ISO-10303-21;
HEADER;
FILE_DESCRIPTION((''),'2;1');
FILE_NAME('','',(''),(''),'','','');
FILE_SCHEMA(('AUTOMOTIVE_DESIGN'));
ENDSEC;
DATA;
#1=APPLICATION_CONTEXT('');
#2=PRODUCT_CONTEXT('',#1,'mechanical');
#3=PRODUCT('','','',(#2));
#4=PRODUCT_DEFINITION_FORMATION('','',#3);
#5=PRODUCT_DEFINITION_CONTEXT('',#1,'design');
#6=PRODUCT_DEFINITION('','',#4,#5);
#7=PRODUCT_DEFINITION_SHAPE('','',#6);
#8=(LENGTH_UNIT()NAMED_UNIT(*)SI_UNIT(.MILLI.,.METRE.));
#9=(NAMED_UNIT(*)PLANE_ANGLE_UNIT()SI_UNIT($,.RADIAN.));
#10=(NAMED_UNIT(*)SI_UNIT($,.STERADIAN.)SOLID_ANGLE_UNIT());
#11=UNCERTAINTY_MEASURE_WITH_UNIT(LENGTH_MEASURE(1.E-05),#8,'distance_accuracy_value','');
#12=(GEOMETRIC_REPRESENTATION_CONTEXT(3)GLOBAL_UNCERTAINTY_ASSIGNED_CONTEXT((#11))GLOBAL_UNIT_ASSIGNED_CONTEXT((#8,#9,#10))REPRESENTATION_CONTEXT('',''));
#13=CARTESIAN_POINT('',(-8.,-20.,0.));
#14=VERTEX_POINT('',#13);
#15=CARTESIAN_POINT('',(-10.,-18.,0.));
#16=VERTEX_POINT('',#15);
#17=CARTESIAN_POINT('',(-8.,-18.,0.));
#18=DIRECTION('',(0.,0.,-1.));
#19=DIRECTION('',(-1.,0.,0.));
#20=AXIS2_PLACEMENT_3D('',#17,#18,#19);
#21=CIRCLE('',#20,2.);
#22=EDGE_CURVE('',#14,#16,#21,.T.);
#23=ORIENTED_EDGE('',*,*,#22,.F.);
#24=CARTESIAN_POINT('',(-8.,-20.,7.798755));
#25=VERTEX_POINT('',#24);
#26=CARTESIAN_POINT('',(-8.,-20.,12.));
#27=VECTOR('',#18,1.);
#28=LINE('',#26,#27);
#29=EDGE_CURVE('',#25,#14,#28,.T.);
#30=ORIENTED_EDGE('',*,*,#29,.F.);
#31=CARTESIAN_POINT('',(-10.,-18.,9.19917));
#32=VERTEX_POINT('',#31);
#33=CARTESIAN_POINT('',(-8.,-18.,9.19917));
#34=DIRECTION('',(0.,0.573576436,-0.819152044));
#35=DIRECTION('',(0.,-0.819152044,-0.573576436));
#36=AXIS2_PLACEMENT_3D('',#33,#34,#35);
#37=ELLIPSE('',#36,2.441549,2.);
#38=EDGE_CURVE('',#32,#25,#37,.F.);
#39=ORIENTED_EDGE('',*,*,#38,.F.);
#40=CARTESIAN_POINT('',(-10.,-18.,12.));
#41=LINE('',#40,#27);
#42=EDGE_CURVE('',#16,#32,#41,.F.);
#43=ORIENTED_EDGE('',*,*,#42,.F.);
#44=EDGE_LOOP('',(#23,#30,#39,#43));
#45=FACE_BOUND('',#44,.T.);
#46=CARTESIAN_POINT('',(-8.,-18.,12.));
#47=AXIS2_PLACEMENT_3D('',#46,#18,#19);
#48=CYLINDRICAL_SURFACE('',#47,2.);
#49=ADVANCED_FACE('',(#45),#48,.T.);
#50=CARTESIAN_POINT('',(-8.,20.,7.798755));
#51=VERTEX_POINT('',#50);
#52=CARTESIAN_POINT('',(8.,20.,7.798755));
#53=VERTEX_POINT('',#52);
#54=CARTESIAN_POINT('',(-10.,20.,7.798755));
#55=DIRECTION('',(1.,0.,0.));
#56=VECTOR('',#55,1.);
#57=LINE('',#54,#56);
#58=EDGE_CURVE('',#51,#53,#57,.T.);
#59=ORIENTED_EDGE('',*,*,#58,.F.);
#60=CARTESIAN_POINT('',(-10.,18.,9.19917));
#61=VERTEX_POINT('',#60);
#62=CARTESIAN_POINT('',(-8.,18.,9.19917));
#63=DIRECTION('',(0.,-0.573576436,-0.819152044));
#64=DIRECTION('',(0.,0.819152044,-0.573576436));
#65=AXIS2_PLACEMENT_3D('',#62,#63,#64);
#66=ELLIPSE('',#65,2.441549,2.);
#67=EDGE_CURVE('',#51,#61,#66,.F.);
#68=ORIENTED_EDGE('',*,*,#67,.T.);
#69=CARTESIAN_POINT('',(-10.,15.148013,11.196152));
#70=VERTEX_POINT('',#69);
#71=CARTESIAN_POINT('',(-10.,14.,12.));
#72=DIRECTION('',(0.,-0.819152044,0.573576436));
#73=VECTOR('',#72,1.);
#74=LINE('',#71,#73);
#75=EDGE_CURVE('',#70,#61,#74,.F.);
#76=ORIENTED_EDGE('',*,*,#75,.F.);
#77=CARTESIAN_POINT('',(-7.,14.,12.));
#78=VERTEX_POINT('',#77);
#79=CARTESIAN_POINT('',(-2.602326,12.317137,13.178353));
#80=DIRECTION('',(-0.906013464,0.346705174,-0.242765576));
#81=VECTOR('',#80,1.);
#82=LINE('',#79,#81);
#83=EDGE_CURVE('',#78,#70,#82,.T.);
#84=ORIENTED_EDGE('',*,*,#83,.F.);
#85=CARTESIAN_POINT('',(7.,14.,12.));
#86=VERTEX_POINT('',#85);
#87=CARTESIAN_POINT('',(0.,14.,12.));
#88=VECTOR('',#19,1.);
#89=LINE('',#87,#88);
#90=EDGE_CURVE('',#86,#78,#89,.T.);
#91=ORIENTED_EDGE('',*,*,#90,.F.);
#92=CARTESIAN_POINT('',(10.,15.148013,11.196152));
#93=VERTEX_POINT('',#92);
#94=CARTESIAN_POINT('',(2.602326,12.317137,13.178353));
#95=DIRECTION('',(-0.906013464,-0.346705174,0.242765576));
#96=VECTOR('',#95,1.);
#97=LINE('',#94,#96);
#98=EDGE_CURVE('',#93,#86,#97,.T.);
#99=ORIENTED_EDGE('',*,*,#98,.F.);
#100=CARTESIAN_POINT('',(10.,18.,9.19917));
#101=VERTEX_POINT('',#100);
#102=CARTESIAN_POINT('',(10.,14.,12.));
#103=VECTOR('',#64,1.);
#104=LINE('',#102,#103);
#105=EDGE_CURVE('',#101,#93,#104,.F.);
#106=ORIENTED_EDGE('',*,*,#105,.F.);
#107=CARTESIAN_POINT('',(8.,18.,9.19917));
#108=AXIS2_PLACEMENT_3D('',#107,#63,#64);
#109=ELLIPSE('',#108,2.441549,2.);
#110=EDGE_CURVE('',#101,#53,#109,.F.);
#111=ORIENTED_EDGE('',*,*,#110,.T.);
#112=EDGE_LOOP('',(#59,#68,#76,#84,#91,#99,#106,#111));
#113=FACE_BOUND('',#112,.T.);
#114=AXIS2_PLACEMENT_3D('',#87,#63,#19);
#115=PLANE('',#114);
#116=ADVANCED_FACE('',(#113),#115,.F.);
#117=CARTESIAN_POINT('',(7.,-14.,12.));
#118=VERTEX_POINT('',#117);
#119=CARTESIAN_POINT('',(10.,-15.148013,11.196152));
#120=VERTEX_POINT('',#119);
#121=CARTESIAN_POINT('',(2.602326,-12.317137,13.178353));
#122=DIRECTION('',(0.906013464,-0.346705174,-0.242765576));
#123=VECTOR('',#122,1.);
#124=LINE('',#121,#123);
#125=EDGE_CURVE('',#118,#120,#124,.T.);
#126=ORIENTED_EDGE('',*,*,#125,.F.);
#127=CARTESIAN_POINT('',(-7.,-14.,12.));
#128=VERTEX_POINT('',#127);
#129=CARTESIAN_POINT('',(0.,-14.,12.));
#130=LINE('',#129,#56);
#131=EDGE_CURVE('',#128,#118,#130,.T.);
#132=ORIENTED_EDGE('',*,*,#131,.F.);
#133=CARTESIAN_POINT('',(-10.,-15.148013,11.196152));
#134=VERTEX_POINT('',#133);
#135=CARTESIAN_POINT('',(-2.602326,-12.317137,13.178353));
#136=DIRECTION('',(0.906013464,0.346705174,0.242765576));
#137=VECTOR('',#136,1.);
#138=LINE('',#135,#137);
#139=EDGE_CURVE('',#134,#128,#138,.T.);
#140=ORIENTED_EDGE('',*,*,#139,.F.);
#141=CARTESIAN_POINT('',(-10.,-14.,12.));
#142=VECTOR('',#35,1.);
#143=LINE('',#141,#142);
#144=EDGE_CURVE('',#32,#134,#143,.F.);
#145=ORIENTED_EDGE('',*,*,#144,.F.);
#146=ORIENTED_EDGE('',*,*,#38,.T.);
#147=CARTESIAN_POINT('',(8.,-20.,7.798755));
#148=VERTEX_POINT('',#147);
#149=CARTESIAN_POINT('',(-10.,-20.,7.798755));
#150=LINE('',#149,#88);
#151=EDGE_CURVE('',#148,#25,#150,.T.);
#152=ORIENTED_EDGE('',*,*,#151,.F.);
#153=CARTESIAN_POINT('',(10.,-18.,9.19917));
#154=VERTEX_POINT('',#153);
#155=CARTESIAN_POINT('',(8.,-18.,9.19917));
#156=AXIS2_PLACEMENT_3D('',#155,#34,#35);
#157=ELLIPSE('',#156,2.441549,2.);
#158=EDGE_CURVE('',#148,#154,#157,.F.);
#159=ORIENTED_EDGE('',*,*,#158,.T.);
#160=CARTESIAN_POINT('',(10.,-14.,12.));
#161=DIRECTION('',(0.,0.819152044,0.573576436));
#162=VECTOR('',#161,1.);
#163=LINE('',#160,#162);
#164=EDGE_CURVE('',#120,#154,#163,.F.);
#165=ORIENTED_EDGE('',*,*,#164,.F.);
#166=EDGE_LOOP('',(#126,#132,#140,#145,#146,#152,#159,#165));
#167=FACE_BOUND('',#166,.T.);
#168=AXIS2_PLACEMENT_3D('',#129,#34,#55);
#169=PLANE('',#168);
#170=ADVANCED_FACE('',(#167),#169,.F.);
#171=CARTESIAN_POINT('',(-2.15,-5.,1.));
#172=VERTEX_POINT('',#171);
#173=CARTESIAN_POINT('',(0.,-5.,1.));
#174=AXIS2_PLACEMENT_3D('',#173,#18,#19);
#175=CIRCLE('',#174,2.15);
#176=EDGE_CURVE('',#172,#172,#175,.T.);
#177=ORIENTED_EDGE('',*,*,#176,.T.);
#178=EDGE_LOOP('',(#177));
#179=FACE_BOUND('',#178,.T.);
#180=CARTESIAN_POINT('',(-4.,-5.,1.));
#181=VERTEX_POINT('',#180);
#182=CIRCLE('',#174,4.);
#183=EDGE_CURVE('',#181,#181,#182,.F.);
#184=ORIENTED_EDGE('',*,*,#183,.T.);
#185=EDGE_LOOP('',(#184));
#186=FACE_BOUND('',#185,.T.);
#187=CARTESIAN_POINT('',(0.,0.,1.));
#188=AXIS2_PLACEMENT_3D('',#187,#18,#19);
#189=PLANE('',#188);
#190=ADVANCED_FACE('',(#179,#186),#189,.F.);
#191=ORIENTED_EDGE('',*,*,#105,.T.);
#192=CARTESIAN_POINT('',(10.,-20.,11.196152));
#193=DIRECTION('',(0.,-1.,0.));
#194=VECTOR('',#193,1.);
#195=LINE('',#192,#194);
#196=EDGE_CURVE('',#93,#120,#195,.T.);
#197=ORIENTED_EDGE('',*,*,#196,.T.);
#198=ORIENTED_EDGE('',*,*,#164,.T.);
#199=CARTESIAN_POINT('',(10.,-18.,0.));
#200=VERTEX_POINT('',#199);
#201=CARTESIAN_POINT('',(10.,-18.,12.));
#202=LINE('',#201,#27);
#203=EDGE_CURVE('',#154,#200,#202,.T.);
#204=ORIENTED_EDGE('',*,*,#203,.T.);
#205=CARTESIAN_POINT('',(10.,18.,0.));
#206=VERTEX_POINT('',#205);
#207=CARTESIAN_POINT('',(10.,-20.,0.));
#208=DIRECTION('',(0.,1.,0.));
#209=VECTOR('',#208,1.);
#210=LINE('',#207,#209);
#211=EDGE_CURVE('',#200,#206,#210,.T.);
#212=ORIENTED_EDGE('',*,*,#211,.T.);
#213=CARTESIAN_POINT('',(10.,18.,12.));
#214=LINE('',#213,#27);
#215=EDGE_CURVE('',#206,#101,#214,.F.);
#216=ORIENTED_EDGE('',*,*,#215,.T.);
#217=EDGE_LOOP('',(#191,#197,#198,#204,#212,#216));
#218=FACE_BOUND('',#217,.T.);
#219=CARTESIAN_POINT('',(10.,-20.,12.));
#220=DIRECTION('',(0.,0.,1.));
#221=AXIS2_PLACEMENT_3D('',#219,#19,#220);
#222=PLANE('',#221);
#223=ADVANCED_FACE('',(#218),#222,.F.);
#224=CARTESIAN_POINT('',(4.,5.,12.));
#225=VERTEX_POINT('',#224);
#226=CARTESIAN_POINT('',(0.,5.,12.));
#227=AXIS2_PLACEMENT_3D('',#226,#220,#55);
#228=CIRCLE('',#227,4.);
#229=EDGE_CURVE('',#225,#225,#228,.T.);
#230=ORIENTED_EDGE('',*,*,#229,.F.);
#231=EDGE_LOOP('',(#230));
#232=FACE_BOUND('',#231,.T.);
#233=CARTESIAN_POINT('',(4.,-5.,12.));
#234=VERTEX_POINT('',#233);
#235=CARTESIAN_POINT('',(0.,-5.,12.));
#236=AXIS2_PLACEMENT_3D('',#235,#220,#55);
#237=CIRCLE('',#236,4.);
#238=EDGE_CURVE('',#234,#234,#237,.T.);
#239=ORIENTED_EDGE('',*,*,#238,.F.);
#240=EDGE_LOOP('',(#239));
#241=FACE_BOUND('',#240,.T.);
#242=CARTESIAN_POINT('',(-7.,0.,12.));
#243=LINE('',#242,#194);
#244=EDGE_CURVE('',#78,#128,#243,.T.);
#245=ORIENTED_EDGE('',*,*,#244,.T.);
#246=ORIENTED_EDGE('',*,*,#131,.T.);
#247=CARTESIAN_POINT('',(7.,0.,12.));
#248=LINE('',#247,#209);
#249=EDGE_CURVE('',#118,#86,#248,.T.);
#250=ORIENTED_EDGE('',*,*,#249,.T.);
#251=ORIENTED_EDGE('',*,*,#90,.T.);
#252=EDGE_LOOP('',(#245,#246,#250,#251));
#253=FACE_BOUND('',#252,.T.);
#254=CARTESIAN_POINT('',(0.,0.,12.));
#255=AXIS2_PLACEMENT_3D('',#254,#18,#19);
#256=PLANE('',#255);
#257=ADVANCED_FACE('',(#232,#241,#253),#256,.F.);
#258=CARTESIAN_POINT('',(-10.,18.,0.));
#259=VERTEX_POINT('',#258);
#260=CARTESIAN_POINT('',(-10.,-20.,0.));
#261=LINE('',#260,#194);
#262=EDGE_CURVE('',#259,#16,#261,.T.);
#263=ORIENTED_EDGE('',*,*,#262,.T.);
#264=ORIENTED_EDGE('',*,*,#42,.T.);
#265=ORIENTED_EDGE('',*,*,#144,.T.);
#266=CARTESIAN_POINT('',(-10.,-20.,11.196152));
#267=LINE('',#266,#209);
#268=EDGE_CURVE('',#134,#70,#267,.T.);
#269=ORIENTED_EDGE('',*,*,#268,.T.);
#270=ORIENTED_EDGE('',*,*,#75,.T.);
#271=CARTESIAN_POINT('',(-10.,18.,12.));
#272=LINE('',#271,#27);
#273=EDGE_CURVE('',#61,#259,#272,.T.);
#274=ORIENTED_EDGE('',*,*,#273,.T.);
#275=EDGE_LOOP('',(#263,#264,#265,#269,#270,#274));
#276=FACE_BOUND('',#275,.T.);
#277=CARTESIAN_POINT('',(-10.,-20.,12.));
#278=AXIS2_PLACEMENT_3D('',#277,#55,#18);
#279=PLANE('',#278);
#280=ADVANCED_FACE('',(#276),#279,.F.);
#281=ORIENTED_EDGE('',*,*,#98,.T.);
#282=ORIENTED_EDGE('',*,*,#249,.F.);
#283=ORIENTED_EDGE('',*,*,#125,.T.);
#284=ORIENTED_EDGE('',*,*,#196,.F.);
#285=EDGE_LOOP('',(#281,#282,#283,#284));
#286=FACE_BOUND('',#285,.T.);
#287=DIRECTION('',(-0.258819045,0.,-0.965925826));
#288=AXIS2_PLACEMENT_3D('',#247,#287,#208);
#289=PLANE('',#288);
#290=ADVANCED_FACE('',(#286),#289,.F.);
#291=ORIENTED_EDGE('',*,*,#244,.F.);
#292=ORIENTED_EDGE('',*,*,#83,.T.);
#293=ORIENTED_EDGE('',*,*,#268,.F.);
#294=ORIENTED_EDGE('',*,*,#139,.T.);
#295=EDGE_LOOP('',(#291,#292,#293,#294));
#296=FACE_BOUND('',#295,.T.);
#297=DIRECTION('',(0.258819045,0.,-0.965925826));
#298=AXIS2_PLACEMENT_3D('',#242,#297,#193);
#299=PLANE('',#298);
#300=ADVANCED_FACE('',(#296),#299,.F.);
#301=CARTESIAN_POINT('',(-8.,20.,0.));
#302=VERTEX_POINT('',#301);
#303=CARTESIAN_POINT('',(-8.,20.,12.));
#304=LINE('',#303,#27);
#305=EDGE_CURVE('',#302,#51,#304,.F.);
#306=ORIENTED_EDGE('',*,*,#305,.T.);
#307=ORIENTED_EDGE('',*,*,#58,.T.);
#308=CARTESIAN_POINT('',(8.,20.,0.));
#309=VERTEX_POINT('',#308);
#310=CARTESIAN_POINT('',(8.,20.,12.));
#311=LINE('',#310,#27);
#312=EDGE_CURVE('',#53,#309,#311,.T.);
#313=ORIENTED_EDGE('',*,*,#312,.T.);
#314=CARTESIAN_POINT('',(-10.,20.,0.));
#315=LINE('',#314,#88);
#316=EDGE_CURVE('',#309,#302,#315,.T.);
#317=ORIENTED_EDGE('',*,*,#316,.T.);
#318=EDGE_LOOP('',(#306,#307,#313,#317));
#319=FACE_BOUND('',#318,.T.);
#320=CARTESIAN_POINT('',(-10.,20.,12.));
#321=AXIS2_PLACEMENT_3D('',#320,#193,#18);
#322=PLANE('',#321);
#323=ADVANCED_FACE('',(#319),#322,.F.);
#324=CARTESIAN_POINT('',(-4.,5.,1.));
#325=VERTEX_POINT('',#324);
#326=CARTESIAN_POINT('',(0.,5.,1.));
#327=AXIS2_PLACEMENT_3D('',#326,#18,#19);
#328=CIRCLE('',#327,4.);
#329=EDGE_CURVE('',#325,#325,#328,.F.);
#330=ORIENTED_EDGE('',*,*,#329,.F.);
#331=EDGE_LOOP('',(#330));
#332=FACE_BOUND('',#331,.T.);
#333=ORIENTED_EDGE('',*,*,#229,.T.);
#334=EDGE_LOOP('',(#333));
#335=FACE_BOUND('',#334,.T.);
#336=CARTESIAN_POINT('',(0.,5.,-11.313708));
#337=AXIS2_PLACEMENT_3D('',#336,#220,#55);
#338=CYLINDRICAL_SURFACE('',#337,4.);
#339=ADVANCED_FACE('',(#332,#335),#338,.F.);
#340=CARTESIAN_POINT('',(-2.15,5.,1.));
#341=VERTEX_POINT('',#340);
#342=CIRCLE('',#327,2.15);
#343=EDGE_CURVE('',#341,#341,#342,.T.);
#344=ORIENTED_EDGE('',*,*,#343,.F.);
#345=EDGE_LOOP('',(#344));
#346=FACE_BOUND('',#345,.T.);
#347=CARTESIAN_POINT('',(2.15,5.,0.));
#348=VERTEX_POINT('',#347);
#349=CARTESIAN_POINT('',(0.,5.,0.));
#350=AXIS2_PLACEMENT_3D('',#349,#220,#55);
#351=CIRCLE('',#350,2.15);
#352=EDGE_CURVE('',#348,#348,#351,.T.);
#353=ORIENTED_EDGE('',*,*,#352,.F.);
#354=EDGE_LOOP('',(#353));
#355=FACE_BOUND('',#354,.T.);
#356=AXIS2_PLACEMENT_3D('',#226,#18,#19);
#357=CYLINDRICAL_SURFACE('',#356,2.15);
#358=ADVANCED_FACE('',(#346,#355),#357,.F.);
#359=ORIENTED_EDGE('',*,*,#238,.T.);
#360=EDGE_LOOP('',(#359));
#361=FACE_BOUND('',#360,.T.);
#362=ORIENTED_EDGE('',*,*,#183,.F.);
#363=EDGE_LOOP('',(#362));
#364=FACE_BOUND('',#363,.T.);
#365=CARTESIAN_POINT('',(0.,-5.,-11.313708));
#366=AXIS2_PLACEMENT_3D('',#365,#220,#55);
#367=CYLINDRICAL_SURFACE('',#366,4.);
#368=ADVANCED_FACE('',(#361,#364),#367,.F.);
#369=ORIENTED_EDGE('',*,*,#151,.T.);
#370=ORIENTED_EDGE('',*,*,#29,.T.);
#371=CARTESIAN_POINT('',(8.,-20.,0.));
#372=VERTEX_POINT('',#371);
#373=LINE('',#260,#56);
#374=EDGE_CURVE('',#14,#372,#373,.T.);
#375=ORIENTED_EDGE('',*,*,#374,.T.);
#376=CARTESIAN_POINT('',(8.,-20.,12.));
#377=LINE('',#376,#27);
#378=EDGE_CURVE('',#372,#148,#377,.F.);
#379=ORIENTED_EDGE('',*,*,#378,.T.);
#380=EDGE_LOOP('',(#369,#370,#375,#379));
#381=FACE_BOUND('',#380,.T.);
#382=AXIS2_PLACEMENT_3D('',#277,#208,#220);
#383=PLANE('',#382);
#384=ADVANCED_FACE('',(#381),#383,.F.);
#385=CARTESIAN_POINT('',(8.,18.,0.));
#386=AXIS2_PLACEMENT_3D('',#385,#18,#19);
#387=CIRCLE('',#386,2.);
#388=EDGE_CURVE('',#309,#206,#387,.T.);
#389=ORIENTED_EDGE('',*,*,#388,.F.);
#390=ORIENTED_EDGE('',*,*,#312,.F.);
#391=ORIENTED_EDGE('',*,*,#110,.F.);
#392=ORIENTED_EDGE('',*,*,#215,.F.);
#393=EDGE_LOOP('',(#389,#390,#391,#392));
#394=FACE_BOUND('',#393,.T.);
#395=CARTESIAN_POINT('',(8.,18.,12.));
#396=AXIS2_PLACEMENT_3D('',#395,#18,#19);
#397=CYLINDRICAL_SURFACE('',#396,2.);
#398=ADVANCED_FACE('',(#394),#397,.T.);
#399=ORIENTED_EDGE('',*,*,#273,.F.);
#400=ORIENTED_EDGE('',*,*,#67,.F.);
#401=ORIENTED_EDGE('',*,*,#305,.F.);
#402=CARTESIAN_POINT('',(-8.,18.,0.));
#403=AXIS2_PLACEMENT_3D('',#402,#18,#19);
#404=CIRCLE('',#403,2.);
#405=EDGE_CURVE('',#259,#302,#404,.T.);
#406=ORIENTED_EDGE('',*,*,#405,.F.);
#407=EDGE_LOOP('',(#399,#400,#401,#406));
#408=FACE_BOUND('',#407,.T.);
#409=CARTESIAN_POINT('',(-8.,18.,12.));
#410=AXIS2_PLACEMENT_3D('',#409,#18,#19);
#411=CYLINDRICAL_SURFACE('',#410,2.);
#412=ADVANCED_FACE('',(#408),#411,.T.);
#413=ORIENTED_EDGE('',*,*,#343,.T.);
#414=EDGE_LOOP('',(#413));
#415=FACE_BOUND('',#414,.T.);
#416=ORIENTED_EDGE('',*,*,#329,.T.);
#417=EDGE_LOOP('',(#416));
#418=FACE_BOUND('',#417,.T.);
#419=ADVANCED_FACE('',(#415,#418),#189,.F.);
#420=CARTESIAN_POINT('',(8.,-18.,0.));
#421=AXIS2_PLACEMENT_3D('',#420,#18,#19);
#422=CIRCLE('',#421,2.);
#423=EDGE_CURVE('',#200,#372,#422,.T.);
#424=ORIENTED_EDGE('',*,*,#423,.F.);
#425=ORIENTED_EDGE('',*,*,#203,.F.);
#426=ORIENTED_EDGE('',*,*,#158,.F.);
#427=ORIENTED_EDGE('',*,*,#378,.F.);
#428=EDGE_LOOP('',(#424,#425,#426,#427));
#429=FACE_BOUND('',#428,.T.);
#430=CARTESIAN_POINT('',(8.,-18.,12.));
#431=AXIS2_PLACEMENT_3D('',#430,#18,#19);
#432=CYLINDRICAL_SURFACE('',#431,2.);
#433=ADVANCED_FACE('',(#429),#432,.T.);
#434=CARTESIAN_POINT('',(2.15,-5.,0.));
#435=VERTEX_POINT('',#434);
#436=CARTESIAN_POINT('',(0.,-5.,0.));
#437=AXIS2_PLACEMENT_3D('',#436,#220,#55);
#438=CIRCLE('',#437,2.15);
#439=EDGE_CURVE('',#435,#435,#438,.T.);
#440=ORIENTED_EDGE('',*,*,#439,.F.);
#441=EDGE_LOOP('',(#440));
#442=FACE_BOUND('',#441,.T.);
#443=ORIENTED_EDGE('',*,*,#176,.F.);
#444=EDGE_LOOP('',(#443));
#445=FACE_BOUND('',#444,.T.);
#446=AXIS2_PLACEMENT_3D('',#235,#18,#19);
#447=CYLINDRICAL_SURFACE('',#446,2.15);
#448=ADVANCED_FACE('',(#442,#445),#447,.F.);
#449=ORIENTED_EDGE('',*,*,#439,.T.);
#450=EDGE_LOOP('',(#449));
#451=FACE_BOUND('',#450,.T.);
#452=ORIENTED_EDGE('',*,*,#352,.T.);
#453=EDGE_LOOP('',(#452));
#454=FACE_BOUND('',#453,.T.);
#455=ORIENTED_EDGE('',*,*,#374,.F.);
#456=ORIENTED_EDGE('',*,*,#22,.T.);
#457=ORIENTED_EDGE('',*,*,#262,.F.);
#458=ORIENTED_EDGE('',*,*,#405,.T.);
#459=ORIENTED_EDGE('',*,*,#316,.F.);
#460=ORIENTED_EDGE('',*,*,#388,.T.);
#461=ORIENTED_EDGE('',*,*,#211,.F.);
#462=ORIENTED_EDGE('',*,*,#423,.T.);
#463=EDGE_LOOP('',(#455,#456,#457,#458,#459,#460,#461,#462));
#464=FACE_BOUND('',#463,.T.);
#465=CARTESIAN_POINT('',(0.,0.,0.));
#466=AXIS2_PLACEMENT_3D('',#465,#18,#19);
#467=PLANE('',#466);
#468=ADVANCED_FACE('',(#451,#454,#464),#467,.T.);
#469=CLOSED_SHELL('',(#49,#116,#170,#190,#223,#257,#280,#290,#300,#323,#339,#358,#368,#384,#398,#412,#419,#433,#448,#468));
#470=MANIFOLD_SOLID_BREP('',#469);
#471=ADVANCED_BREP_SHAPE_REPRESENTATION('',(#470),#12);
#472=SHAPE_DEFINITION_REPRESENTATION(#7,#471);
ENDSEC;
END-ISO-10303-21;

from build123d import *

# Parameters (mm, degrees)
SKETCH1_W           = 20
SKETCH1_H           = 40
SKETCH1_R           = 2.15
BOSS_EXTRUDE1_DEPTH = 12
CHAMFER1_SIZE       = 3
CHAMFER1_SIZE2      = 0.803847577
CHAMFER2_SIZE       = 6
CHAMFER2_SIZE2      = 4.201245229
SKETCH2_R           = 4
CUT_EXTRUDE1_DEPTH  = 11
FILLET1_R           = 2


with BuildPart() as part:
    # Sketch1 → Boss-Extrude1 (new body)
    with BuildSketch(Plane.XY):
        Rectangle(SKETCH1_W, SKETCH1_H)
        with Locations((0, -5)):
            Circle(SKETCH1_R, mode=Mode.SUBTRACT)
        with Locations((0, 5)):
            Circle(SKETCH1_R, mode=Mode.SUBTRACT)
    extrude(amount=BOSS_EXTRUDE1_DEPTH)

    # Chamfer1
    chamfer1_edges = [part.edges().sort_by_distance(p)[0] for p in [
        (-10, 0, 12),
        (10, 0, 12),
    ]]
    chamfer1_side = [part.faces().sort_by_distance(p)[0] for p in [
        (0, 0, 12),
    ]]
    chamfer(chamfer1_edges, length=CHAMFER1_SIZE, length2=CHAMFER1_SIZE2, reference=chamfer1_side[0])

    # Chamfer2
    chamfer2_edges = [part.edges().sort_by_distance(p)[0] for p in [
        (0, -20, 12),
        (0, 20, 12),
    ]]
    chamfer2_side = [part.faces().sort_by_distance(p)[0] for p in [
        (0, 0, 12),
    ]]
    chamfer(chamfer2_edges, length=CHAMFER2_SIZE, length2=CHAMFER2_SIZE2, reference=chamfer2_side[0])

    # Sketch2 → Cut-Extrude1 (cut)
    with BuildSketch(Plane.XY.offset(12)):
        with Locations((0, 5)):
            Circle(SKETCH2_R)
        with Locations((0, -5)):
            Circle(SKETCH2_R)
    extrude(amount=-CUT_EXTRUDE1_DEPTH, mode=Mode.SUBTRACT)

    # Fillet1
    fillet1_edges = [part.edges().sort_by_distance(p)[0] for p in [
        (10, 20, 3.899377385),
        (10, -20, 3.899377385),
        (-10, -20, 3.899377385),
        (-10, 20, 3.899377385),
    ]]
    fillet(fillet1_edges, radius=FILLET1_R)


solid = part.part
